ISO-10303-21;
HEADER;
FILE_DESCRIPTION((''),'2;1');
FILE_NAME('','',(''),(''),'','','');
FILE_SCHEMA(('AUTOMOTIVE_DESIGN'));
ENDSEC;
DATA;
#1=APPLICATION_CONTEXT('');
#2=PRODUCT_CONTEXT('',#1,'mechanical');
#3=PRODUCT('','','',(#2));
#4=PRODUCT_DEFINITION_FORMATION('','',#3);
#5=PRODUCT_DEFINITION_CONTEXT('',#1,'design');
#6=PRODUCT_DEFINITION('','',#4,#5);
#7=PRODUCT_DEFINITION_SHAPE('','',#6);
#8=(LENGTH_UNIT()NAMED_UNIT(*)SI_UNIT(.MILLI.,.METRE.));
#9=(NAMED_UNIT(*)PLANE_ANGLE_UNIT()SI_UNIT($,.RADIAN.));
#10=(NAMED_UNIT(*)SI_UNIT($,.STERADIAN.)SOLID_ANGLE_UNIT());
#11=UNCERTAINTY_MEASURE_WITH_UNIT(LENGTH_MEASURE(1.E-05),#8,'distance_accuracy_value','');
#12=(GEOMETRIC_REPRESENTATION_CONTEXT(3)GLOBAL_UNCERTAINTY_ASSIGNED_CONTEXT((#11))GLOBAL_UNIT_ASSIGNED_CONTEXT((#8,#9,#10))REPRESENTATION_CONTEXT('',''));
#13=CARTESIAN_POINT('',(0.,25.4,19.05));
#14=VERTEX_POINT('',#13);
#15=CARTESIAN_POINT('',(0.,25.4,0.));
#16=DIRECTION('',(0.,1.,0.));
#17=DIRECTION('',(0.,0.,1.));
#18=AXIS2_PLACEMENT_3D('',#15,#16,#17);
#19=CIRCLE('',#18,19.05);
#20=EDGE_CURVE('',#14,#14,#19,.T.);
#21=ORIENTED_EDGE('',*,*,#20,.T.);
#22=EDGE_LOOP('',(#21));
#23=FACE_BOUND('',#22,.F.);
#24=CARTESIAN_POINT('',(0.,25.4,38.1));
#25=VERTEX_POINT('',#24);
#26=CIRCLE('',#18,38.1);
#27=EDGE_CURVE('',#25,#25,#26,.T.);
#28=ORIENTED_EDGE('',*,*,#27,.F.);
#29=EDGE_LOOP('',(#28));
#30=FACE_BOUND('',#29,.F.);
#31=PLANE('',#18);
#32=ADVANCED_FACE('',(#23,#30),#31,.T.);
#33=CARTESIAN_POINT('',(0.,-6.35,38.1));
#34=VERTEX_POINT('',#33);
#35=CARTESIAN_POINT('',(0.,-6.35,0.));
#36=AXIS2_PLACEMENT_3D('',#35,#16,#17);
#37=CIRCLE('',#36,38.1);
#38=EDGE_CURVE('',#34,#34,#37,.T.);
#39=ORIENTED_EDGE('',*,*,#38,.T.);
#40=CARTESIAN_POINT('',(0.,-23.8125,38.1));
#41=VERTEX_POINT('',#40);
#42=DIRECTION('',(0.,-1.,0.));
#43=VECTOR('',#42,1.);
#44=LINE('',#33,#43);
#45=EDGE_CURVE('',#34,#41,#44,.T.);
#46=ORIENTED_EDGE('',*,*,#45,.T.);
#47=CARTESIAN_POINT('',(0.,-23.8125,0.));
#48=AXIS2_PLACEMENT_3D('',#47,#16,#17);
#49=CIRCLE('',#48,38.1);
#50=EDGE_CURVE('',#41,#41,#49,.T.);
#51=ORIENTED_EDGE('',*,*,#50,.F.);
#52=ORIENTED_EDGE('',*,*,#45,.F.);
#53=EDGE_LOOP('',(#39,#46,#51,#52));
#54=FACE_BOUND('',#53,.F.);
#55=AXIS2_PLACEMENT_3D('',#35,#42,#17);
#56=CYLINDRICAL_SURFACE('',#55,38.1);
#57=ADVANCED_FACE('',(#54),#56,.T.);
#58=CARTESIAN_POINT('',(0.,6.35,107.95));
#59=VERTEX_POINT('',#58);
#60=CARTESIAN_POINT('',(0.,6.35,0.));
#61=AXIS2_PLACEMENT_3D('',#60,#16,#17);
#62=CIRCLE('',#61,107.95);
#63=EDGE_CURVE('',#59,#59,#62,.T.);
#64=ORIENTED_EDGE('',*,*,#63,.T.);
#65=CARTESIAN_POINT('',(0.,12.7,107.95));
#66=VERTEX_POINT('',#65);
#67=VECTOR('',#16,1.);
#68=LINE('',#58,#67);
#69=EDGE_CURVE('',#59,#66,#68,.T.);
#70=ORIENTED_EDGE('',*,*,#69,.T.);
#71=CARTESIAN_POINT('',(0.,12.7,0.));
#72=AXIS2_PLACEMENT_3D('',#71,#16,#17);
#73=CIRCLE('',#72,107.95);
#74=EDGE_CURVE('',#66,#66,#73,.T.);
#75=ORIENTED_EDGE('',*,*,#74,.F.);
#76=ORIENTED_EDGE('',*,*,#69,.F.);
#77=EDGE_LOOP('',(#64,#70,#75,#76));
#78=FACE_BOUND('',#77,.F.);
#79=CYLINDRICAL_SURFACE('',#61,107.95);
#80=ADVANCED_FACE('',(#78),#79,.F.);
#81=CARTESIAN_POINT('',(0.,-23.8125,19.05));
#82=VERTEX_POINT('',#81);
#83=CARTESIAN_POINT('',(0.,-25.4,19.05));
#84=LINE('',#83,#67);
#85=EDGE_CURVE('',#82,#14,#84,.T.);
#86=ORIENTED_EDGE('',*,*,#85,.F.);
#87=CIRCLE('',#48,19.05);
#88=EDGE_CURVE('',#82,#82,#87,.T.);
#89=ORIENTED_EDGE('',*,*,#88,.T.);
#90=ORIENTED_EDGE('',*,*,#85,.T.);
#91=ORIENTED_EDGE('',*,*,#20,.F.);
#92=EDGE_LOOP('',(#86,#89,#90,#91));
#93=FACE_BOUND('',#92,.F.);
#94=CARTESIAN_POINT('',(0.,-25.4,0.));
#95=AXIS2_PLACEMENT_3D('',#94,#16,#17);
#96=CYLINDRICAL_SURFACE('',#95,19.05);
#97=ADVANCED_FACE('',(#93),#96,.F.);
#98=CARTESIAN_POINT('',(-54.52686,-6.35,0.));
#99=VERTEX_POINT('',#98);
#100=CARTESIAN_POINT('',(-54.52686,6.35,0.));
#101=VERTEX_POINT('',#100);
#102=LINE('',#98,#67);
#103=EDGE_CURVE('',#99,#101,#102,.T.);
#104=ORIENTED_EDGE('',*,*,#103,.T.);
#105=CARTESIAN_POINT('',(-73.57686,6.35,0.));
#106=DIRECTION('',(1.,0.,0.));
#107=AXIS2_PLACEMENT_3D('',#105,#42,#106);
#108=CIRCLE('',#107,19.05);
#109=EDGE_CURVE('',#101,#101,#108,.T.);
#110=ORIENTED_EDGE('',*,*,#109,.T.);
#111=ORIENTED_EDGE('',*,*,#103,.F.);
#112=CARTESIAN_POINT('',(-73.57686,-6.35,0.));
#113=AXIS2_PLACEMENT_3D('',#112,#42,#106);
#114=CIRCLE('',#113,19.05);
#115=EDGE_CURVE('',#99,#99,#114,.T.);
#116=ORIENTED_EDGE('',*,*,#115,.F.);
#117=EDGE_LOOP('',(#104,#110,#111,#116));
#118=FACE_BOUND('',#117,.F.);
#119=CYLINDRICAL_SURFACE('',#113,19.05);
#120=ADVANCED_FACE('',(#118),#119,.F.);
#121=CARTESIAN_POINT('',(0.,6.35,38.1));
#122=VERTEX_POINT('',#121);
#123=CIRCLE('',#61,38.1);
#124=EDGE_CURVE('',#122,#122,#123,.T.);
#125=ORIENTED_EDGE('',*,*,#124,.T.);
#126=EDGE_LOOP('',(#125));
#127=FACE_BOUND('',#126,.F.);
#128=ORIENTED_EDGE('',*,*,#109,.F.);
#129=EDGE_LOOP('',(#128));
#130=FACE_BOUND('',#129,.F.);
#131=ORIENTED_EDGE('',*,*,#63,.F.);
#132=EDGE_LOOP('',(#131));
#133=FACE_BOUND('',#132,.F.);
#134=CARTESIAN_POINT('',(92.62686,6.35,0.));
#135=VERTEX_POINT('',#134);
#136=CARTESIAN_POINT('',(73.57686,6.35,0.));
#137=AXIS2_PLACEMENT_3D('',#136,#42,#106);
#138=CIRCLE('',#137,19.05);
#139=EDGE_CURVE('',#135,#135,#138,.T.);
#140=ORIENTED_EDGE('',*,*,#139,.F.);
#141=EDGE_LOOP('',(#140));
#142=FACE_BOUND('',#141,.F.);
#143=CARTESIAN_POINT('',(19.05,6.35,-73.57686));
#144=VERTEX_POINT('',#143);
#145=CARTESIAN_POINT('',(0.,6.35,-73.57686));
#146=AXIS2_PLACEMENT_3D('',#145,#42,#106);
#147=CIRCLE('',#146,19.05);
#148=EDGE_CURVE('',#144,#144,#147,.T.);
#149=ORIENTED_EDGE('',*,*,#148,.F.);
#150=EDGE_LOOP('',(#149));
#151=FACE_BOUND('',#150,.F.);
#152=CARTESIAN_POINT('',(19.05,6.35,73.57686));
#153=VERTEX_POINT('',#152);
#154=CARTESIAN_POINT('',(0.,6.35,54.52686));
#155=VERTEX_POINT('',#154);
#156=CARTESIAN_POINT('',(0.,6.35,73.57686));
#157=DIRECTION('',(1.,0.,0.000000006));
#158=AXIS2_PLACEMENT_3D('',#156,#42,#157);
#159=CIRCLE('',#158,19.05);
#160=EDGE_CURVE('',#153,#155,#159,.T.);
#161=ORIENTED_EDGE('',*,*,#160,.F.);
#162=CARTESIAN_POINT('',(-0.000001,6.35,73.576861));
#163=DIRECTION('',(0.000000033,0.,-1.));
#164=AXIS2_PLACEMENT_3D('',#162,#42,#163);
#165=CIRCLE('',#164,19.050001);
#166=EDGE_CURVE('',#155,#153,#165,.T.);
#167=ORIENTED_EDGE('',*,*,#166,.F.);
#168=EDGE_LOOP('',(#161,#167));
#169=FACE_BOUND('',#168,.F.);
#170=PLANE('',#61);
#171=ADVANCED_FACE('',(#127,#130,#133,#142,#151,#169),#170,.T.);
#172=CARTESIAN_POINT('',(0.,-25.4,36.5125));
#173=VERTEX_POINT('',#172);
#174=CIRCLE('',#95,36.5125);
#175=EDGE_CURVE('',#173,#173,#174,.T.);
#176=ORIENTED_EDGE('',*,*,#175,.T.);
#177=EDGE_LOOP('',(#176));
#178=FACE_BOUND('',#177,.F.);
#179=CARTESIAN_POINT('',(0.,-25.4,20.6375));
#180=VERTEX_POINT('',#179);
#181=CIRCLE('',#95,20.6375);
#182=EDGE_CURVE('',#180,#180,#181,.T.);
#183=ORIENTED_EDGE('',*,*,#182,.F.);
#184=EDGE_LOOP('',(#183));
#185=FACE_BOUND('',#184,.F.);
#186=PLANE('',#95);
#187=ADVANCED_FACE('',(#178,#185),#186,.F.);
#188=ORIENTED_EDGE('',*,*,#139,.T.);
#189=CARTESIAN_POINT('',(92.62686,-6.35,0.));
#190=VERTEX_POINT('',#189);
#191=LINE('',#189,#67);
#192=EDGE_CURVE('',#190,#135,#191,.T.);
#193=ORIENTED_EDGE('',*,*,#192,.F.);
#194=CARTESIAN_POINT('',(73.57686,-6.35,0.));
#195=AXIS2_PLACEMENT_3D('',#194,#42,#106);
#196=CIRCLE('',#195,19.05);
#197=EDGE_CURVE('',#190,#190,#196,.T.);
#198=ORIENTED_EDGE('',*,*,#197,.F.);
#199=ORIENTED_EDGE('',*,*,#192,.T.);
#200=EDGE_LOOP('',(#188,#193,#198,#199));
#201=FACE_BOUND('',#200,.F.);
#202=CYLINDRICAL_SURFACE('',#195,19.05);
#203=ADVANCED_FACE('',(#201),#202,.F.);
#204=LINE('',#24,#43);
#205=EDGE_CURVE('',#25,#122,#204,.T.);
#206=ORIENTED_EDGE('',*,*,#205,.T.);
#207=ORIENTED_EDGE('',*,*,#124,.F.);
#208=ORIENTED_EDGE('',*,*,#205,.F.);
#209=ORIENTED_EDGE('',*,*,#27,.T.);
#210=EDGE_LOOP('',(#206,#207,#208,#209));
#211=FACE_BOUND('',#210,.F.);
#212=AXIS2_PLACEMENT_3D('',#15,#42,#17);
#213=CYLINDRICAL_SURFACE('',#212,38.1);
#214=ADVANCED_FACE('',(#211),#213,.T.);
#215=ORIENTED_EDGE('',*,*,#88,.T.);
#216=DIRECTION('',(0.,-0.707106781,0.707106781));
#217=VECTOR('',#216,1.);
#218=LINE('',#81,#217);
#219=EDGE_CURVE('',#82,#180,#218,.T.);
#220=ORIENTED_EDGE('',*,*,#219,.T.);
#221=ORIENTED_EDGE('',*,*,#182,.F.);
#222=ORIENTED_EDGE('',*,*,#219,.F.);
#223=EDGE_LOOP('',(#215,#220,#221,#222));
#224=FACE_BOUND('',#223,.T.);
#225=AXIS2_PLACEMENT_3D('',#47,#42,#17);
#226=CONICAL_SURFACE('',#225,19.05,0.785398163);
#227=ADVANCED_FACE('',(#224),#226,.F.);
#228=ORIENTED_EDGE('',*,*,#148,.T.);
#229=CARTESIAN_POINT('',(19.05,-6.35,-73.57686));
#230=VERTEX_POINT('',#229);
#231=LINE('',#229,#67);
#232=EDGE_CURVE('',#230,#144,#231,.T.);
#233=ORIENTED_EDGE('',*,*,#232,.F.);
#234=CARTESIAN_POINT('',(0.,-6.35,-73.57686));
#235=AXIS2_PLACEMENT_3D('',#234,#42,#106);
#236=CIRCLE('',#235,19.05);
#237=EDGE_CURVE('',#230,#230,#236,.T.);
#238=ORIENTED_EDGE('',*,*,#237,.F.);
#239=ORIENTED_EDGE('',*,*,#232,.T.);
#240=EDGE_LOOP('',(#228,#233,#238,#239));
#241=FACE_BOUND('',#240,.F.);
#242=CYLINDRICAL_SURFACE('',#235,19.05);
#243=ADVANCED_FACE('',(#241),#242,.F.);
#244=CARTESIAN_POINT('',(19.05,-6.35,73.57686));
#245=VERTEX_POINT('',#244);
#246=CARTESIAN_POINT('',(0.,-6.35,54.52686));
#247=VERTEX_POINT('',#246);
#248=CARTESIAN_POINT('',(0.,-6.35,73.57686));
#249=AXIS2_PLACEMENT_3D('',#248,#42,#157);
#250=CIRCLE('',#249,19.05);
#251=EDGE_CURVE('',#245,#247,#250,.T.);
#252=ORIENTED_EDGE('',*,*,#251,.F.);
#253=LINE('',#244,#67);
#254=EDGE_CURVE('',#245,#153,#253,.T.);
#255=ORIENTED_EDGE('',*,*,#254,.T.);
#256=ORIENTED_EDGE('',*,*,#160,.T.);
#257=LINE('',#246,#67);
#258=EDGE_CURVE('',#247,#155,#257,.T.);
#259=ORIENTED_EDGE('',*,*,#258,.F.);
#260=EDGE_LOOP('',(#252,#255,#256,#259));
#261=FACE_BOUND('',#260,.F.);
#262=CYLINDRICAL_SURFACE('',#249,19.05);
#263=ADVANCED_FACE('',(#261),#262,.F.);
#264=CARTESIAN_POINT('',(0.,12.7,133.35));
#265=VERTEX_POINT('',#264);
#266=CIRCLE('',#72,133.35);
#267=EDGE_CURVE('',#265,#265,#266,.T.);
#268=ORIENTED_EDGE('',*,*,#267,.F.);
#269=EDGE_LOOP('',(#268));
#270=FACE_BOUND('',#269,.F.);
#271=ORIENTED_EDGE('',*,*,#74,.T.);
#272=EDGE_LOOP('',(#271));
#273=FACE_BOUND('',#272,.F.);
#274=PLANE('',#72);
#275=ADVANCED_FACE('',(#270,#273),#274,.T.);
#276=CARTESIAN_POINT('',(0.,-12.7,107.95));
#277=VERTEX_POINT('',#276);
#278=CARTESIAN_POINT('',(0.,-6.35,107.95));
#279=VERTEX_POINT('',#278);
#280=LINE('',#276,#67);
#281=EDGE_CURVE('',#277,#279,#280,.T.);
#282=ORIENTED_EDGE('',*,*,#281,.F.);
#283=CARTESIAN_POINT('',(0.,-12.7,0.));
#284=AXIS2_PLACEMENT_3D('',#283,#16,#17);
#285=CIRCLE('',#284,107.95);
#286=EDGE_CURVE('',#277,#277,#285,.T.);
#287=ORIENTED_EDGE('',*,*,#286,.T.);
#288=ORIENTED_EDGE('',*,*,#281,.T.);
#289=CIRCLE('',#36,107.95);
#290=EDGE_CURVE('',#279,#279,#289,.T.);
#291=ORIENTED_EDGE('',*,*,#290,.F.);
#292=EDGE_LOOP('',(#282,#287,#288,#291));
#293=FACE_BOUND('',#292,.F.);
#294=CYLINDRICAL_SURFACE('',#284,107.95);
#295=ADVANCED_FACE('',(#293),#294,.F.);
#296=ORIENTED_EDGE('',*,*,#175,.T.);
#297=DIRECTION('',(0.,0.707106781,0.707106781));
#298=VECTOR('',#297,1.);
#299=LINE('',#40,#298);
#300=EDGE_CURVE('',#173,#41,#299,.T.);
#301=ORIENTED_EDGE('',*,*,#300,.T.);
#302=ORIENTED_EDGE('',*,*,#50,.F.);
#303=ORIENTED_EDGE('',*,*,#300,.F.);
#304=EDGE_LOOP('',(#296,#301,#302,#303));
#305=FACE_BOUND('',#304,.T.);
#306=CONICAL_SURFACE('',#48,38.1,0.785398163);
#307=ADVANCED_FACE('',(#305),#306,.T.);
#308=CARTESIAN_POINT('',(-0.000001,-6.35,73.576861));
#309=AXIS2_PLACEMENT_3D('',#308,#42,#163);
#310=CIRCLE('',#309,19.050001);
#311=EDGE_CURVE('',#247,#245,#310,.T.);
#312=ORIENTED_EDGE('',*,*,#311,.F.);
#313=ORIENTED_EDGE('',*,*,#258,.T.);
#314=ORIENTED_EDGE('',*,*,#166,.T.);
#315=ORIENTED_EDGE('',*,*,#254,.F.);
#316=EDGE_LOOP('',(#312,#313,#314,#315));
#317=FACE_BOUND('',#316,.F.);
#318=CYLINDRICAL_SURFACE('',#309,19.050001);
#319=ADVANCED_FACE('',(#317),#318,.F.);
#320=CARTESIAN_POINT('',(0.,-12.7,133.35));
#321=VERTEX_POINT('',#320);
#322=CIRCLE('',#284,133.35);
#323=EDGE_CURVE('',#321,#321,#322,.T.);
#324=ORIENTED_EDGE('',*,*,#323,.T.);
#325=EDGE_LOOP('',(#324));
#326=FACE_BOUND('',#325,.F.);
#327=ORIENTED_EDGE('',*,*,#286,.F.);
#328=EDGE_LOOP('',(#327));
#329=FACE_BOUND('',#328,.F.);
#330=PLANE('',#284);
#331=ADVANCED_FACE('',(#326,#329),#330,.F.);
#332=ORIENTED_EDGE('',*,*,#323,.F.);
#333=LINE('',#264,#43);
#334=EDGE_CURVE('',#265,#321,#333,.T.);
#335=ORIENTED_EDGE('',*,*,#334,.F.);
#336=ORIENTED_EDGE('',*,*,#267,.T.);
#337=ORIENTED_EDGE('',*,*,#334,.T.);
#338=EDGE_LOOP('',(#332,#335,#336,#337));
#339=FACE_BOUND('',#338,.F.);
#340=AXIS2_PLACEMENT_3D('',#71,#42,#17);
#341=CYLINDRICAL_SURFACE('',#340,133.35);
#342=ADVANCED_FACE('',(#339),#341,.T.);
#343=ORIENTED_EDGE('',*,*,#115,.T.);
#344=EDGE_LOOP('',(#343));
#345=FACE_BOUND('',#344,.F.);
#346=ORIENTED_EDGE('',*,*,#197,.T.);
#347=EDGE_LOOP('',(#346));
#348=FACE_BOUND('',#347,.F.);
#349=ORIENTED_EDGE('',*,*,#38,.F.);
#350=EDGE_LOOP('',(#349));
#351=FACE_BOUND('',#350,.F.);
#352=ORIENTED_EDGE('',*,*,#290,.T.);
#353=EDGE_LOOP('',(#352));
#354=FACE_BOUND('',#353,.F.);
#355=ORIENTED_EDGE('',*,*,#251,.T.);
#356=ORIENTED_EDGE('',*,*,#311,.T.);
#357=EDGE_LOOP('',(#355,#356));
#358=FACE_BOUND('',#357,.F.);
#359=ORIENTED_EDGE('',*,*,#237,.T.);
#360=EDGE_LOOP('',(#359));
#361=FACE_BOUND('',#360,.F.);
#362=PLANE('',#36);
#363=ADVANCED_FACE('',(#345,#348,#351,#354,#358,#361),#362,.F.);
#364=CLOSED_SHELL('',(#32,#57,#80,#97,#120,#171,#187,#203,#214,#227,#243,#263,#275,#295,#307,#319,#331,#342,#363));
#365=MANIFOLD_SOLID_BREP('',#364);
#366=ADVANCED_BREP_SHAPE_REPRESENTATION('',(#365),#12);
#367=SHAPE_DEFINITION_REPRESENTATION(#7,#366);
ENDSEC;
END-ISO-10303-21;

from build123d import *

# Parameters (mm, degrees)
F2_R     = 19.05
F3_DEPTH = 25.4
F4_SIZE  = 1.5875


with BuildPart() as f1:
    # F0 (on Right) → F1 (revolve)
    with BuildSketch(Plane.YZ):
        Polygon((-25.4, 19.05), (0, 19.05), (25.4, 19.05), (25.4, 38.1), (6.35, 38.1), (6.35, 107.95), (12.7, 107.95), (12.7, 133.35), (0, 133.35), (-12.7, 133.35), (-12.7, 107.95), (-6.35, 107.95), (-6.35, 38.1), (-25.4, 38.1), align=None)
    revolve(axis=Axis((0, 38.140107, 0), (0, 1, 0)))

    # F2 (on face) → F3 (cut)
    with BuildSketch(Plane.XZ.offset(6.35)):
        with Locations((73.57686, 0)):
            Circle(F2_R)
        with Locations((0, -73.57686)):
            Circle(F2_R)
        with Locations((-73.57686, 0)):
            Circle(F2_R)
        with BuildLine():
            ThreePointArc((19.05, 73.57686), (-13.470384, 87.047244), (0, 54.52686))
            ThreePointArc((0, 54.52686), (13.470384, 60.106476), (19.05, 73.57686))
        make_face()
    extrude(amount=-F3_DEPTH, mode=Mode.SUBTRACT)

    # F4
    f4_edges = [f1.edges().sort_by_distance(p)[0] for p in [
        (0, -25.4, -19.05),
        (0, -25.4, -38.1),
    ]]
    chamfer(f4_edges, length=F4_SIZE)


solid = f1.part
